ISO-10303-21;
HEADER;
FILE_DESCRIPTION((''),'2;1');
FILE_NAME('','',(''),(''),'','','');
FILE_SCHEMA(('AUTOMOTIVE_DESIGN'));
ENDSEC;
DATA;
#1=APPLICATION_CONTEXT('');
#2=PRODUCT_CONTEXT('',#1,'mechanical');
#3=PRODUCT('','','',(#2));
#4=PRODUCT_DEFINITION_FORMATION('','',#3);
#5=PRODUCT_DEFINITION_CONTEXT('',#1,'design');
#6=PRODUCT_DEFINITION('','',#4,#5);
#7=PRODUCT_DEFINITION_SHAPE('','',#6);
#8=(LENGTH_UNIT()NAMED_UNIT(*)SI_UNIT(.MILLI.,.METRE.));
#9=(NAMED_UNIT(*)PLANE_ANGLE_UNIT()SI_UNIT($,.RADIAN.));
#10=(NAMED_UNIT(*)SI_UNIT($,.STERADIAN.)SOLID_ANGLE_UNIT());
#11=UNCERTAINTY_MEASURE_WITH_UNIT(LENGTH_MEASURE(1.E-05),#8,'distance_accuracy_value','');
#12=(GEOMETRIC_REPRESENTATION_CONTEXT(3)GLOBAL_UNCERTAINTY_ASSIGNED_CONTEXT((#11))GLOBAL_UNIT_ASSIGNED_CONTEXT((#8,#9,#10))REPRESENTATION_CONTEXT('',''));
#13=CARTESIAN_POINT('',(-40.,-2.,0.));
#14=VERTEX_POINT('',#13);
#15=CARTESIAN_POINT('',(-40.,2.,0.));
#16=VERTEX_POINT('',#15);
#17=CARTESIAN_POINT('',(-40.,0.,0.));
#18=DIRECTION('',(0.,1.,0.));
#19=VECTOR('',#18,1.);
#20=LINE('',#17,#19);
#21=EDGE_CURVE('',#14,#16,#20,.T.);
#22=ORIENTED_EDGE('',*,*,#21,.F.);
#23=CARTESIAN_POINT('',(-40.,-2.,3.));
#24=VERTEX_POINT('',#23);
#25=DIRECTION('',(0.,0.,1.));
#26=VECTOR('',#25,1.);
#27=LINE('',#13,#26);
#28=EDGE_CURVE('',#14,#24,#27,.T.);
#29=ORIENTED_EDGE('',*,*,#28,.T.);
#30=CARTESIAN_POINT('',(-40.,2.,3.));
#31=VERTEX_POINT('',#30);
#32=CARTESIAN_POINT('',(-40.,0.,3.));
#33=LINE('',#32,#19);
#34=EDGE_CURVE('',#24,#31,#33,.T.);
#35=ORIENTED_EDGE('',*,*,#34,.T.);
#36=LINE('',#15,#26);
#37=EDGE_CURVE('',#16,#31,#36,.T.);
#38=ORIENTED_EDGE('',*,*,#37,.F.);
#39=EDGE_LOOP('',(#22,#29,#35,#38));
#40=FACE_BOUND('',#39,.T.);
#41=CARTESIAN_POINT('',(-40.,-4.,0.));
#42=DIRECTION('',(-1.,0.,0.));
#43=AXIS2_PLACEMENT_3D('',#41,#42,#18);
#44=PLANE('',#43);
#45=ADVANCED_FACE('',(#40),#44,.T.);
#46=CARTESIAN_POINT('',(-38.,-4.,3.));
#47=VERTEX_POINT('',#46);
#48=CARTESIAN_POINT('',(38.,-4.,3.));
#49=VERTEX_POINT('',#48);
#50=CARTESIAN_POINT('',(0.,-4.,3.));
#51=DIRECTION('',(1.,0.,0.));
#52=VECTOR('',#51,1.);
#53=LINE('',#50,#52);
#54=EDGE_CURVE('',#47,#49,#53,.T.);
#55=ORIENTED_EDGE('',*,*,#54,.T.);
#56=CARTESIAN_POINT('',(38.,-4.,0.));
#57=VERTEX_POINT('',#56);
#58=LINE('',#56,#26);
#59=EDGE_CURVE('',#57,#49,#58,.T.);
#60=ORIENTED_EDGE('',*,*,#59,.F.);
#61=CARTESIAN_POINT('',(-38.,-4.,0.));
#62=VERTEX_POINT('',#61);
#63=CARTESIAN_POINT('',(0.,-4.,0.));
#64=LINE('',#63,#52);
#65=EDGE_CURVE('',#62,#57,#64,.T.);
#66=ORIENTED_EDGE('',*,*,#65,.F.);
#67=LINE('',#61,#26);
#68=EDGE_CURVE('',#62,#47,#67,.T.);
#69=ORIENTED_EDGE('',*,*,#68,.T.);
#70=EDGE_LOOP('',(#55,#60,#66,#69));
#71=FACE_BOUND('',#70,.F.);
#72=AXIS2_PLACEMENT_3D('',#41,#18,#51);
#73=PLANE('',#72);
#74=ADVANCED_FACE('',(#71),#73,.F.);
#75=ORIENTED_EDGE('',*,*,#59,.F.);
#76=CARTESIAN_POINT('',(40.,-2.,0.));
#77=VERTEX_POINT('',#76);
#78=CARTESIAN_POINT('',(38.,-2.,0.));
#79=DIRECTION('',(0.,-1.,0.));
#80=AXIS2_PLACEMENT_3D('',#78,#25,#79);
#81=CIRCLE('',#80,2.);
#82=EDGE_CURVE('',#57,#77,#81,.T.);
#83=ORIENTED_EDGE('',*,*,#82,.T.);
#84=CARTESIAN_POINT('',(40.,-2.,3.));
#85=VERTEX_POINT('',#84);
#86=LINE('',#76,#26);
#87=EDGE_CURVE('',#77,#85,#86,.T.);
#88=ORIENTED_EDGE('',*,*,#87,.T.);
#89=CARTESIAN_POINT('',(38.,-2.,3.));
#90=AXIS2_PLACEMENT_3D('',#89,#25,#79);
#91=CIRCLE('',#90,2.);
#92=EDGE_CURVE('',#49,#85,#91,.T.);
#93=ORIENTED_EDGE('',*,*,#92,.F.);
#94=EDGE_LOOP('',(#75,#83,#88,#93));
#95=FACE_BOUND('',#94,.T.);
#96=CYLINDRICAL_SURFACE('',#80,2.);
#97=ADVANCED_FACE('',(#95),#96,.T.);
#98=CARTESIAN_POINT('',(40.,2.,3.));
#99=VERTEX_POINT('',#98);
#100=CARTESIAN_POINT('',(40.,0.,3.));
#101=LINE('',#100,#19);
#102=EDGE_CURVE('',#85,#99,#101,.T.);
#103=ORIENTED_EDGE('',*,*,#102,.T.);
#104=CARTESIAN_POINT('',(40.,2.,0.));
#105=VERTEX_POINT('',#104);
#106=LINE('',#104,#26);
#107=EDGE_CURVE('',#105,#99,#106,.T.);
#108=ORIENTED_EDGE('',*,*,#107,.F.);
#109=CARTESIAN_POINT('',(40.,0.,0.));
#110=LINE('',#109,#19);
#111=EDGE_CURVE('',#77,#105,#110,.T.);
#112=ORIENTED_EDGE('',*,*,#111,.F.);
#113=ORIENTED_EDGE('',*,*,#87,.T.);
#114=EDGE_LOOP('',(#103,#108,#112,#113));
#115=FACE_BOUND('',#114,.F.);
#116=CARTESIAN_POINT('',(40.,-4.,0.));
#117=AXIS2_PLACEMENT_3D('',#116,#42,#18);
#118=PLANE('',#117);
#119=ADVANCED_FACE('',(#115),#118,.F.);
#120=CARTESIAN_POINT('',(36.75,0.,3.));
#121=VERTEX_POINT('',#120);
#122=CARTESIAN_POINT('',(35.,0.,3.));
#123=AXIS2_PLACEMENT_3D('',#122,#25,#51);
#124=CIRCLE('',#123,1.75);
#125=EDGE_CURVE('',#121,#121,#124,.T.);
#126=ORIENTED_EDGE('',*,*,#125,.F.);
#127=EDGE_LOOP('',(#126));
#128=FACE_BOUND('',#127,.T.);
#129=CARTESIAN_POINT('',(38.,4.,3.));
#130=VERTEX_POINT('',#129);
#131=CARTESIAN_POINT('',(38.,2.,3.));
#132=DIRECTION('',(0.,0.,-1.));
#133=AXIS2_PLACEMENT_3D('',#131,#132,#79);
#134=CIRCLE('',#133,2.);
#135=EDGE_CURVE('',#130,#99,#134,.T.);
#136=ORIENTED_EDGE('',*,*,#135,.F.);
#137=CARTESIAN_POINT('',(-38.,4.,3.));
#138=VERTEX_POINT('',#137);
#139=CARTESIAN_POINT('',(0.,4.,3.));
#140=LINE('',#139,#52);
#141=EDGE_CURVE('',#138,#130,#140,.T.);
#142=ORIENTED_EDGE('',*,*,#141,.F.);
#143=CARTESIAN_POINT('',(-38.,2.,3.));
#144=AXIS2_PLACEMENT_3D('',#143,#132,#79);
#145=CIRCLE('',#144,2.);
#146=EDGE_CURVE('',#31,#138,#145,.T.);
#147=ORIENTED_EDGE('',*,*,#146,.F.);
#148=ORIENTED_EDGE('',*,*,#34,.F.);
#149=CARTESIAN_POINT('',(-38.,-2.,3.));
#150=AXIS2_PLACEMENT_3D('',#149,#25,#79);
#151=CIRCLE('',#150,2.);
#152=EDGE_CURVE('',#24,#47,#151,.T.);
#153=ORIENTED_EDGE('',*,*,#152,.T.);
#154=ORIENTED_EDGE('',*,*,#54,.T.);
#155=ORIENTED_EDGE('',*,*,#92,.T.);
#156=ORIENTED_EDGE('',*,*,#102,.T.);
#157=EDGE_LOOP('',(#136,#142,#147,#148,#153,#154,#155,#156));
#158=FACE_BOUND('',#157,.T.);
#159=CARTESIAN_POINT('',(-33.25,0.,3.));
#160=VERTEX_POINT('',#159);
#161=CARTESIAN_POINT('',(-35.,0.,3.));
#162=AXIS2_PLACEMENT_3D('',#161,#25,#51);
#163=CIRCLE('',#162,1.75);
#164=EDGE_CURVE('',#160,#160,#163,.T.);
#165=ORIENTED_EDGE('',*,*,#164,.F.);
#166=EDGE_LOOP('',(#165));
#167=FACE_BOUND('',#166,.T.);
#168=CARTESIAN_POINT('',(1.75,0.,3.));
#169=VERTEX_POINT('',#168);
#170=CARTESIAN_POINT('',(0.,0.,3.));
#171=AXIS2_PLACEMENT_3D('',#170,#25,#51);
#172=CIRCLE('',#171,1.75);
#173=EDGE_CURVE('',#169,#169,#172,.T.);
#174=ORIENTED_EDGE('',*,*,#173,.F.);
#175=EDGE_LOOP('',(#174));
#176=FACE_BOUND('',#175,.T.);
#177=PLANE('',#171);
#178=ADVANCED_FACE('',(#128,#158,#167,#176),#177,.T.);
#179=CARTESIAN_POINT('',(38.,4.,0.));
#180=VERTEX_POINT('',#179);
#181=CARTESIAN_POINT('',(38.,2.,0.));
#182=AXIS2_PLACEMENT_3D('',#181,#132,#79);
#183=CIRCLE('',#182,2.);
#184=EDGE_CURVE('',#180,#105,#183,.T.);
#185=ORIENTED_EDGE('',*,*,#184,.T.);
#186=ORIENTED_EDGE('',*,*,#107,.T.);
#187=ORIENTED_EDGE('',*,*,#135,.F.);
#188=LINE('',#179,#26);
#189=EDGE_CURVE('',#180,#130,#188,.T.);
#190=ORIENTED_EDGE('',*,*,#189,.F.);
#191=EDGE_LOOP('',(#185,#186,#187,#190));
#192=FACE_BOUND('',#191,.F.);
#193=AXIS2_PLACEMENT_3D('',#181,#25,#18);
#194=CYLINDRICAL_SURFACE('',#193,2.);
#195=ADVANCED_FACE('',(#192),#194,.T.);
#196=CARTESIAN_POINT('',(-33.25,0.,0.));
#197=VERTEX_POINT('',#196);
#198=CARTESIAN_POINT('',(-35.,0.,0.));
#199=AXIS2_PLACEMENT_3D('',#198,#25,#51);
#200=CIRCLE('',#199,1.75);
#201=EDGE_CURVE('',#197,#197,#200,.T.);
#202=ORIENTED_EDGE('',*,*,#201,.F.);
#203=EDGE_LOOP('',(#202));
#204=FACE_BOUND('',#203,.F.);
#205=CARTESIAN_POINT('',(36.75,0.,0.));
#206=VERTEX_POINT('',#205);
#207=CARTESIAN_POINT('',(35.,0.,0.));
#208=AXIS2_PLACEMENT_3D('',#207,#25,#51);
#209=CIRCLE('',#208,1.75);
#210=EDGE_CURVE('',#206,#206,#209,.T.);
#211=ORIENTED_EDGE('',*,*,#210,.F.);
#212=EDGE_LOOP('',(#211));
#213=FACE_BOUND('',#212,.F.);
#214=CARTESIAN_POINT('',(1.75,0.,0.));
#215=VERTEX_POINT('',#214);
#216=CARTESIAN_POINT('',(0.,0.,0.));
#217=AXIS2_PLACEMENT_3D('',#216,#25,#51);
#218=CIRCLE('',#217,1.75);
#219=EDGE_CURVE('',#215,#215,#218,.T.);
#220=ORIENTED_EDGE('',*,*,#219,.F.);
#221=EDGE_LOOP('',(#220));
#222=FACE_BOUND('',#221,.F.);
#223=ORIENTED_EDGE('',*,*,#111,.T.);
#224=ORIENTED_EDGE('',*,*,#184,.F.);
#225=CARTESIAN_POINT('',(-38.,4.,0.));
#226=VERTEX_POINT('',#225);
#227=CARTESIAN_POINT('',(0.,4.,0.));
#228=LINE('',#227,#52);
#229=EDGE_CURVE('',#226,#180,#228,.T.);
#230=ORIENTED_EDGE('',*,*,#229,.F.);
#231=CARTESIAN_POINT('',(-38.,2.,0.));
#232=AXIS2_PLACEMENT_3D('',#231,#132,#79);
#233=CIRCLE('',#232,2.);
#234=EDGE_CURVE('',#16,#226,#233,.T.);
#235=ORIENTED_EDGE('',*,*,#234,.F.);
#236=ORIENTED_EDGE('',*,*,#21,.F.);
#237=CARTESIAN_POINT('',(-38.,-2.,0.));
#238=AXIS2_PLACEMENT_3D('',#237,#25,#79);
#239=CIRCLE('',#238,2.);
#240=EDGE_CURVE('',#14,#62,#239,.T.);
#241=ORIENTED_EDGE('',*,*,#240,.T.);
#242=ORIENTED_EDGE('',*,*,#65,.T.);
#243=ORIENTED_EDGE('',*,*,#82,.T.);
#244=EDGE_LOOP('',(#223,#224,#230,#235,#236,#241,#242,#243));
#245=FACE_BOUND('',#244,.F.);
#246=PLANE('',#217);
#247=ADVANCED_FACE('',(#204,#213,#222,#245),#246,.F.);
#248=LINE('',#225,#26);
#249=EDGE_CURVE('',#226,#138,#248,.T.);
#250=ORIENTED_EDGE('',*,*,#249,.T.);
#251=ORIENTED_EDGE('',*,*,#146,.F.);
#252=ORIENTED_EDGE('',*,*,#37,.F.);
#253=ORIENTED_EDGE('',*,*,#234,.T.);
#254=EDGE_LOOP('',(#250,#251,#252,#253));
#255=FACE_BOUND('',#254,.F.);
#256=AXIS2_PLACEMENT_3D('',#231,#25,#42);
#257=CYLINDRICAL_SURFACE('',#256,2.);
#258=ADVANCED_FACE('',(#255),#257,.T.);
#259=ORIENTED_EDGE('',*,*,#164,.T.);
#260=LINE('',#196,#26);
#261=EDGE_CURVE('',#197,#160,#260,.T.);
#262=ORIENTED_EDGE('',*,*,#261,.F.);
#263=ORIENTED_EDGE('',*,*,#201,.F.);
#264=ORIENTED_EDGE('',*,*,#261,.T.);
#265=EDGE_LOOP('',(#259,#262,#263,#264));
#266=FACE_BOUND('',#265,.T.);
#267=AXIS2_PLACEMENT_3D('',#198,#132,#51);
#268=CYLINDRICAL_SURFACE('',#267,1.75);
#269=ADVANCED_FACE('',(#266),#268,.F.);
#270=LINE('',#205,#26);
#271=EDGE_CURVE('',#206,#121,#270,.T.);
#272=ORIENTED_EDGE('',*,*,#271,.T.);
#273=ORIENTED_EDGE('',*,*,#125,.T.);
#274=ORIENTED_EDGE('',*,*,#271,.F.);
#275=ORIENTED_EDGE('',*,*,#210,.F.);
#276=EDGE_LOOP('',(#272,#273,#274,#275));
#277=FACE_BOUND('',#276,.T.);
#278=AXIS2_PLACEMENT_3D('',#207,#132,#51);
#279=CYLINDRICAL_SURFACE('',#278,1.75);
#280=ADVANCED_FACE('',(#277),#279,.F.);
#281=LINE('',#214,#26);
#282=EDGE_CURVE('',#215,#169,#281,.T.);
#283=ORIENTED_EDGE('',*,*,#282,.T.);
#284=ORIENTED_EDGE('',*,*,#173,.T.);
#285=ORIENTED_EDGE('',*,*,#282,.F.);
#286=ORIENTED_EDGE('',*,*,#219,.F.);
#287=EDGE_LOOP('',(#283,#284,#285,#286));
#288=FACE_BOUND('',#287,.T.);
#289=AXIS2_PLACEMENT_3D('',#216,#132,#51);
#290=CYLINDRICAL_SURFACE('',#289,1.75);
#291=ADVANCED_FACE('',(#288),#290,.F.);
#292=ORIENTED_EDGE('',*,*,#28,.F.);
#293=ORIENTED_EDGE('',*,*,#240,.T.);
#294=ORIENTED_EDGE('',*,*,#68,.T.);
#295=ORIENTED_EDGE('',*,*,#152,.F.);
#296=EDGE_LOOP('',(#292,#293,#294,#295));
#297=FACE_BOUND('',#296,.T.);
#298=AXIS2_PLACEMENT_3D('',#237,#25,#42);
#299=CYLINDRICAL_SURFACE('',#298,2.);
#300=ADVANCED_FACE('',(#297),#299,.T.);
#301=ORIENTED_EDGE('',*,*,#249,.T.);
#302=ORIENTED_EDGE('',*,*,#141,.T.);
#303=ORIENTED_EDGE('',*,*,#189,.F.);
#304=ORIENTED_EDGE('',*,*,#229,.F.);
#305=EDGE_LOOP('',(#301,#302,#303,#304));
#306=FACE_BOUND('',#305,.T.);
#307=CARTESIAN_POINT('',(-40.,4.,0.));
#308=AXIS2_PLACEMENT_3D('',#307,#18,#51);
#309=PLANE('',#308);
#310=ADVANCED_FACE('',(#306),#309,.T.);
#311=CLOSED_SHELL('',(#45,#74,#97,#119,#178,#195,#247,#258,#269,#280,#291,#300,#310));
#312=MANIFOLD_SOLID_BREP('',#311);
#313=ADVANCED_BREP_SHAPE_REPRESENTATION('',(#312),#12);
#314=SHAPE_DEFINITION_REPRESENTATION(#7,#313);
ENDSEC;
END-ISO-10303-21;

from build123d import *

# Parameters (mm, degrees)
F0_W     = 80
F0_H     = 8
F0_R     = 1.75
F1_DEPTH = 3
F2_R     = 2


with BuildPart() as f1:
    # F0 (on Top) → F1 (new body)
    with BuildSketch(Plane.XY):
        Rectangle(F0_W, F0_H)
        with Locations((-35, 0)):
            Circle(F0_R, mode=Mode.SUBTRACT)
        Circle(F0_R, mode=Mode.SUBTRACT)
        with Locations((35, 0)):
            Circle(F0_R, mode=Mode.SUBTRACT)
    extrude(amount=F1_DEPTH)

    # F2
    f2_edges = [f1.edges().sort_by_distance(p)[0] for p in [
        (-40, -4, 1.5),
        (40, -4, 1.5),
        (40, 4, 1.5),
        (-40, 4, 1.5),
    ]]
    fillet(f2_edges, radius=F2_R)


solid = f1.part
